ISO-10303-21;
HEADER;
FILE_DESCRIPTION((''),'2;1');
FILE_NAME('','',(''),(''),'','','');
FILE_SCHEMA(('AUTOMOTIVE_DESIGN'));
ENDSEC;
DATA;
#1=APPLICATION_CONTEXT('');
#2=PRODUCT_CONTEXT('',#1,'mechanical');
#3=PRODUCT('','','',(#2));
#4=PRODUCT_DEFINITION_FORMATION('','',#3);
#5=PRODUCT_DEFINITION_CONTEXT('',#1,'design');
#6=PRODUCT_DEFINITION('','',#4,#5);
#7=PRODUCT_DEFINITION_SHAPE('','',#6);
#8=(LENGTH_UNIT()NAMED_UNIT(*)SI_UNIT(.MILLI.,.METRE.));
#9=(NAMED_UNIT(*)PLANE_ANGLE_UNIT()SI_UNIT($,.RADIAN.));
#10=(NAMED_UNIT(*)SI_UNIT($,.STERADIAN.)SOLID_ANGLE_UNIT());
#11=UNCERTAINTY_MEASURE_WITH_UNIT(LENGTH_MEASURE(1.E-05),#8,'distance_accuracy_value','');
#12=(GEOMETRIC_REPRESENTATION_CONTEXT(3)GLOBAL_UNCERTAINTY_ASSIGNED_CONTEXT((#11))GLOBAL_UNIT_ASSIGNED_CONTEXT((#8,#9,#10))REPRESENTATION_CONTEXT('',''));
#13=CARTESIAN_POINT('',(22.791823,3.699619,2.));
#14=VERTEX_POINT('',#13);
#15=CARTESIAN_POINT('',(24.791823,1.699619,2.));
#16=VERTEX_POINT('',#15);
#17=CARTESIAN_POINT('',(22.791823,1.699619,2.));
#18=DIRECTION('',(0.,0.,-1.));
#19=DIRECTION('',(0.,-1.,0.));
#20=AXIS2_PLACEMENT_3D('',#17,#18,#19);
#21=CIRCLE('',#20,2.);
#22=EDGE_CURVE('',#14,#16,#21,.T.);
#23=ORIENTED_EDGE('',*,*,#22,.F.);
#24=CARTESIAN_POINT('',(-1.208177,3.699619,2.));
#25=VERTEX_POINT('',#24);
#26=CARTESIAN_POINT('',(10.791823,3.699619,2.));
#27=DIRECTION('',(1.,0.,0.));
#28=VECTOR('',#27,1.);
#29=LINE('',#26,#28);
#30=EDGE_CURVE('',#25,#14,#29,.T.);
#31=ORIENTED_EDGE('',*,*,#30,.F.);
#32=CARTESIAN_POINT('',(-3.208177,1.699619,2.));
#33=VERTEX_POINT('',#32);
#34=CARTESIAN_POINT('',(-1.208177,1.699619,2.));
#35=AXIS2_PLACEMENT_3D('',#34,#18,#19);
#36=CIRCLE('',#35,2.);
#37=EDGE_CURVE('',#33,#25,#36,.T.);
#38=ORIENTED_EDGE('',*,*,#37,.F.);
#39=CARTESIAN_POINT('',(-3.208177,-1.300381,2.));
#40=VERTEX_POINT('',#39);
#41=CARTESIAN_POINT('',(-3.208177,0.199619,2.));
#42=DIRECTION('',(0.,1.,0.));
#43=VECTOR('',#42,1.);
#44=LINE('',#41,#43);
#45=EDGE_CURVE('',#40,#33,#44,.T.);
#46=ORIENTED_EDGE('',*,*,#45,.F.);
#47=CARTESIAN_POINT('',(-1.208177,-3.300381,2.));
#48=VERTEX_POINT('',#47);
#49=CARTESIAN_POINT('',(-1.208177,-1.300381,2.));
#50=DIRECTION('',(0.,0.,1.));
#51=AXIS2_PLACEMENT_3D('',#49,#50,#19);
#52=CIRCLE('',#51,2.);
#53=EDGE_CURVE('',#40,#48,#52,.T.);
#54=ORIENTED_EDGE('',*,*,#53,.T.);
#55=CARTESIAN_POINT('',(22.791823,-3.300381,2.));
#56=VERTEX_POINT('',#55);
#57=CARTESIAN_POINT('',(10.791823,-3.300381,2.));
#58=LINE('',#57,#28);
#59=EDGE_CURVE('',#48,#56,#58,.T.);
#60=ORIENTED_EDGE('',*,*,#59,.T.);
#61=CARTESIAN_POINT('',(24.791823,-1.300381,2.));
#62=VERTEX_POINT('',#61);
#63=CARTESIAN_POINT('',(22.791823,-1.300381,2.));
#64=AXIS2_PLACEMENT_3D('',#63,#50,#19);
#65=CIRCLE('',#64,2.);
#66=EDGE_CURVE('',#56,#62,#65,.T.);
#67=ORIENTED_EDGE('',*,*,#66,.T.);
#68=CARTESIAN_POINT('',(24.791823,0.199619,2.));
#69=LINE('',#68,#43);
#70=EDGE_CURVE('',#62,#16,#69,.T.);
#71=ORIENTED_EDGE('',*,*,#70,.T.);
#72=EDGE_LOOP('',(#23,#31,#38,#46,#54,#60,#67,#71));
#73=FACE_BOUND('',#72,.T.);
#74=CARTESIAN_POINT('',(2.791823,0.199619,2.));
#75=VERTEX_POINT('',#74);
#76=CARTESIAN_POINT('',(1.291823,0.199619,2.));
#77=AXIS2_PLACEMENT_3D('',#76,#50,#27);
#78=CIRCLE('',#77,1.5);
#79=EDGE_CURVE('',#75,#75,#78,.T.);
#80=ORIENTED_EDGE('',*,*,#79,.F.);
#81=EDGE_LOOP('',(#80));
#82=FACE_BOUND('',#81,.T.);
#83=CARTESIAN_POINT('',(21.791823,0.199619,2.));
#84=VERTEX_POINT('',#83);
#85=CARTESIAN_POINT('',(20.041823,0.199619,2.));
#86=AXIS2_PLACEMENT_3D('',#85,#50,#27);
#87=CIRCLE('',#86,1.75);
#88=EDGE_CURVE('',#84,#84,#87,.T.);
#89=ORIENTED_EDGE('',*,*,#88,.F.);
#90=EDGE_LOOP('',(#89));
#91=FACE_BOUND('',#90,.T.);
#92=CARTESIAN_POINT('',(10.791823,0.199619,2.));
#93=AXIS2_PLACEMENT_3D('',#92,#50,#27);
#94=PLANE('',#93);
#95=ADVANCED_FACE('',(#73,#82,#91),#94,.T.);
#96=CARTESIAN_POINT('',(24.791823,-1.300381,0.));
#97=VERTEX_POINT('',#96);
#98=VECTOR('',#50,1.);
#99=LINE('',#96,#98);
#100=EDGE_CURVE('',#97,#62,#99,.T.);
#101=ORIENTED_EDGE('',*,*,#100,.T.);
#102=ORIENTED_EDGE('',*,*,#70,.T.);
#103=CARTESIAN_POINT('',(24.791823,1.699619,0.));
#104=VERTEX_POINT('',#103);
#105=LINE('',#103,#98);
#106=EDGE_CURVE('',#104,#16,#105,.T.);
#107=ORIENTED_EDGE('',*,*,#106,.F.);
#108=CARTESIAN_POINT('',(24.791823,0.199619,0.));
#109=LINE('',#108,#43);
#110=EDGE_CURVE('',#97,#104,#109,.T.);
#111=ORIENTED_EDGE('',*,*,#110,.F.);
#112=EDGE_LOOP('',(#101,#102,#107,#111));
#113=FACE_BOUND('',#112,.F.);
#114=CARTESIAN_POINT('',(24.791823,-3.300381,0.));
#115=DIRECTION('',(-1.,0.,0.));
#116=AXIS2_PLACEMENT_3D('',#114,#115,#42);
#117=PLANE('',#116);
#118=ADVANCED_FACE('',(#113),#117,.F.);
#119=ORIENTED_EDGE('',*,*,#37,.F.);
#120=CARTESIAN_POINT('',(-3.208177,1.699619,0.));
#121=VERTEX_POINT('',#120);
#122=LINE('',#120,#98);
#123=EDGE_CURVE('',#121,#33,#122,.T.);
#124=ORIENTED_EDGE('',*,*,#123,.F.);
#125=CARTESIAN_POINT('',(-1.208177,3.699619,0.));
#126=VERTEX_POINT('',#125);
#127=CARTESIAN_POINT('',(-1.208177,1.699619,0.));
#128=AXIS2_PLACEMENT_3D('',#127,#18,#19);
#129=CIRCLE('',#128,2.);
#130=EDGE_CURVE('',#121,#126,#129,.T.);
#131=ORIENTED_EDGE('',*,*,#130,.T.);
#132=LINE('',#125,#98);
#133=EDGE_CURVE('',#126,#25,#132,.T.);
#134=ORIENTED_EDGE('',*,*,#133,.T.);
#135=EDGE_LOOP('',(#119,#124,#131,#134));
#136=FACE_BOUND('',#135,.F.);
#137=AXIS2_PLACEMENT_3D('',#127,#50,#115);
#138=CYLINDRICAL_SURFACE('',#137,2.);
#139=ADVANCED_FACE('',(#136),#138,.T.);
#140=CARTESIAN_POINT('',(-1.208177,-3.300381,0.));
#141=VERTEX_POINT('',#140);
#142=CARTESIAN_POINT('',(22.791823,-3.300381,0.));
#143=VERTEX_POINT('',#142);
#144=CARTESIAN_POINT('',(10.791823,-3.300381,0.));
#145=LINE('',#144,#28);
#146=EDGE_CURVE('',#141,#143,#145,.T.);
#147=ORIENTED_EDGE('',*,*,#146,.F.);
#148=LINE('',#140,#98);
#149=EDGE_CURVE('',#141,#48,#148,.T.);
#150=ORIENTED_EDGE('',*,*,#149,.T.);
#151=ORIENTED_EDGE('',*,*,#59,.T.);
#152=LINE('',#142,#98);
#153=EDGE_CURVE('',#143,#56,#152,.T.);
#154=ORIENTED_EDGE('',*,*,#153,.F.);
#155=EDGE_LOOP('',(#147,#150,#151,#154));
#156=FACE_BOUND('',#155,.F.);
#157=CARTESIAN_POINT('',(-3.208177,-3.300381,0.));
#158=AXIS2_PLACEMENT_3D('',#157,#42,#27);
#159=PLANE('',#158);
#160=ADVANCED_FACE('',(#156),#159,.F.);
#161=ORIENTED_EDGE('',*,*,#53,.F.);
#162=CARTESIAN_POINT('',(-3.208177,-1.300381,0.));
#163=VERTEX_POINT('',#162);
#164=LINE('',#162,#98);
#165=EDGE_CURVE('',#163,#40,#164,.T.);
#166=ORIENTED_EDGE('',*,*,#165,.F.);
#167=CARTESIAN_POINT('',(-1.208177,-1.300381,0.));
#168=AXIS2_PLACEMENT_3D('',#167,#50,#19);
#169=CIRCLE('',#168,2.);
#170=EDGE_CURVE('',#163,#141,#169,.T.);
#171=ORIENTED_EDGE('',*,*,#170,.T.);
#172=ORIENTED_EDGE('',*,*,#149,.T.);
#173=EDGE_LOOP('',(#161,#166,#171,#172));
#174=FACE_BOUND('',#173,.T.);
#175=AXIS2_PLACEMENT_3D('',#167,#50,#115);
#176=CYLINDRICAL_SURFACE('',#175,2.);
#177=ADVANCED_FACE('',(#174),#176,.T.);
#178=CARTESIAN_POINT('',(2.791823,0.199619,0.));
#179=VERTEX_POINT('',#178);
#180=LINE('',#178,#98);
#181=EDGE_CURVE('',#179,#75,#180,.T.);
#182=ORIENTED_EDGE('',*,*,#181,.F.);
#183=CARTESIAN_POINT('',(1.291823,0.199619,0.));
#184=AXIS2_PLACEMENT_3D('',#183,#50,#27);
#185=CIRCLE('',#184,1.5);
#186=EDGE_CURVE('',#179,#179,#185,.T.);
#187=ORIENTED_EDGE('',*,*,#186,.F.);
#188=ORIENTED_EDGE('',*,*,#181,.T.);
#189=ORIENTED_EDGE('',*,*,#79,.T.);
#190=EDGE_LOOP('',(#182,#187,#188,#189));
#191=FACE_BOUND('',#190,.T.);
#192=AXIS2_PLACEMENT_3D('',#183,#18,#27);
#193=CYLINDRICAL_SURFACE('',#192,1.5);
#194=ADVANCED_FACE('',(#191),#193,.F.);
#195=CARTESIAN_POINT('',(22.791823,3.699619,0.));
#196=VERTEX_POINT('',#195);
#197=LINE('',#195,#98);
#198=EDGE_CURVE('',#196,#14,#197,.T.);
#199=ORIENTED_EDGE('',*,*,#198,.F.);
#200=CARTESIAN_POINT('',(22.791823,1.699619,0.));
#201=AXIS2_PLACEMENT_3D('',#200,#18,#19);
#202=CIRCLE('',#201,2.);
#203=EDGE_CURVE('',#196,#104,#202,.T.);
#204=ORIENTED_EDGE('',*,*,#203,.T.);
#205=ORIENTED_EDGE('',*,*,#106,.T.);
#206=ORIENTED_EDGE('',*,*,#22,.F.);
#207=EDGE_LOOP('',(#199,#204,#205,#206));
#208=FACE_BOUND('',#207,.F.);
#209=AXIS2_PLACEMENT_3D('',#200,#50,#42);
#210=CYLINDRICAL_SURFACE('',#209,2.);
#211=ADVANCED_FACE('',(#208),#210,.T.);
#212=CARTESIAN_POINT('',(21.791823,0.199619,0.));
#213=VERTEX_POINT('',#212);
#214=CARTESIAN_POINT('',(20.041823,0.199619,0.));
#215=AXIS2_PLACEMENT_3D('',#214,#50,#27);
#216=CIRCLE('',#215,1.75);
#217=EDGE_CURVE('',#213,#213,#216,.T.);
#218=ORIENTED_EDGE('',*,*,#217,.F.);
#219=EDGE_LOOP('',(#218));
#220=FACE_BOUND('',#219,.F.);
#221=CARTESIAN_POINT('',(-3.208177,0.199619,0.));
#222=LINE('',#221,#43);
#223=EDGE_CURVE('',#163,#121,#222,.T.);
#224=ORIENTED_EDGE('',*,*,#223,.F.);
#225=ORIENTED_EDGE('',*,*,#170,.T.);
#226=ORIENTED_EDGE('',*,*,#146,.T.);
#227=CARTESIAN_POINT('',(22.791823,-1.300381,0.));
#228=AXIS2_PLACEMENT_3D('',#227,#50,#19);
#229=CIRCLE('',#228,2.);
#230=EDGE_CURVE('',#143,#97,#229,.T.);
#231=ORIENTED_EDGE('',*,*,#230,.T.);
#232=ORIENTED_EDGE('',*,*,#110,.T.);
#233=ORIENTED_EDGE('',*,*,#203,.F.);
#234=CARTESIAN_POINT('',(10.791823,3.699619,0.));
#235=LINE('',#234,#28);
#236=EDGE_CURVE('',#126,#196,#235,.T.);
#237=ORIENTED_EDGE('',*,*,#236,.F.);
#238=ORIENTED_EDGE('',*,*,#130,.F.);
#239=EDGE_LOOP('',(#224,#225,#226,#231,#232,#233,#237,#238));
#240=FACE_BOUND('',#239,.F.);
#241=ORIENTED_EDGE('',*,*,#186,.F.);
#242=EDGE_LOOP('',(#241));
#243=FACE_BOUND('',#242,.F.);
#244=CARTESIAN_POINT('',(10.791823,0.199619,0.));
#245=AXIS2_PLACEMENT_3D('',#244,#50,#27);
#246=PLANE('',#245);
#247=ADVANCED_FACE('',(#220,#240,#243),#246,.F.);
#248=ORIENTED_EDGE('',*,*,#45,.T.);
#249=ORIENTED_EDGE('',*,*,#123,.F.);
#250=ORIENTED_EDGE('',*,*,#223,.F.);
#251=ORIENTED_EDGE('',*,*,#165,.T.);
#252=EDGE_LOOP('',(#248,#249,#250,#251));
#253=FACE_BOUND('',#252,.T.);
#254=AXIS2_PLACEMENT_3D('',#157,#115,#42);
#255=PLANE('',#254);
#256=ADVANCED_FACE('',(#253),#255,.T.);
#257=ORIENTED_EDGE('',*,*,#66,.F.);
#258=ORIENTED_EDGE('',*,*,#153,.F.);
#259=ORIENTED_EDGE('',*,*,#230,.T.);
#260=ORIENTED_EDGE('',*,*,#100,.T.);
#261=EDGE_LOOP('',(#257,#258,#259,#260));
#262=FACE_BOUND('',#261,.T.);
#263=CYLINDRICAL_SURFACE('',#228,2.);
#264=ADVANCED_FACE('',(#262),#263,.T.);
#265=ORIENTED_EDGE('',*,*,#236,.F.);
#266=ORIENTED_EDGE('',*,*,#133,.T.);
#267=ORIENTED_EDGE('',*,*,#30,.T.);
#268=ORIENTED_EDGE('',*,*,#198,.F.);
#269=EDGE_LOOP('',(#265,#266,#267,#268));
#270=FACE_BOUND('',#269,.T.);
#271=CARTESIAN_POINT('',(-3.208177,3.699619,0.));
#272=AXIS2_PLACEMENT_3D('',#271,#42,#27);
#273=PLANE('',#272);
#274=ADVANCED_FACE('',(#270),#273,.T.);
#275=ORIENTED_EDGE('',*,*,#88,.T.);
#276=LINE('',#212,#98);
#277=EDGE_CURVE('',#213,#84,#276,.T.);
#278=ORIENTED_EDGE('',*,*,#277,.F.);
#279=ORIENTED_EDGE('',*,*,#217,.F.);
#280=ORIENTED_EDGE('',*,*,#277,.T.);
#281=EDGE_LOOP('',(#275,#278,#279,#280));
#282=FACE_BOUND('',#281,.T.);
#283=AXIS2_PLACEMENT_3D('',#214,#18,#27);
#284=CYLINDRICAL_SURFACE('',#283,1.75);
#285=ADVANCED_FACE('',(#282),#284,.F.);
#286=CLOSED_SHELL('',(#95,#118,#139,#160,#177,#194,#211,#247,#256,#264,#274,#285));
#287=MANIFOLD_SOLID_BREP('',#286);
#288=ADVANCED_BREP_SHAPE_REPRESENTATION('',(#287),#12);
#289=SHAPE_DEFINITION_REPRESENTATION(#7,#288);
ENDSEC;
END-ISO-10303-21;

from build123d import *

# Parameters (mm, degrees)
F0_W     = 28
F0_H     = 7
F0_R     = 1.5
F0_R_2   = 1.75
F1_DEPTH = 2
F2_R     = 2


with BuildPart() as f1:
    # F0 (on Top) → F1 (new body)
    with BuildSketch(Plane.XY):
        with Locations((10.791823, 0.199619)):
            Rectangle(F0_W, F0_H)
        with Locations((1.291823, 0.199619)):
            Circle(F0_R, mode=Mode.SUBTRACT)
        with Locations((20.041823, 0.199619)):
            Circle(F0_R_2, mode=Mode.SUBTRACT)
    extrude(amount=F1_DEPTH)

    # F2
    f2_edges = [f1.edges().sort_by_distance(p)[0] for p in [
        (-3.208177, 3.699619, 1),
        (-3.208177, -3.300381, 1),
        (24.791823, -3.300381, 1),
        (24.791823, 3.699619, 1),
    ]]
    fillet(f2_edges, radius=F2_R)


solid = f1.part
